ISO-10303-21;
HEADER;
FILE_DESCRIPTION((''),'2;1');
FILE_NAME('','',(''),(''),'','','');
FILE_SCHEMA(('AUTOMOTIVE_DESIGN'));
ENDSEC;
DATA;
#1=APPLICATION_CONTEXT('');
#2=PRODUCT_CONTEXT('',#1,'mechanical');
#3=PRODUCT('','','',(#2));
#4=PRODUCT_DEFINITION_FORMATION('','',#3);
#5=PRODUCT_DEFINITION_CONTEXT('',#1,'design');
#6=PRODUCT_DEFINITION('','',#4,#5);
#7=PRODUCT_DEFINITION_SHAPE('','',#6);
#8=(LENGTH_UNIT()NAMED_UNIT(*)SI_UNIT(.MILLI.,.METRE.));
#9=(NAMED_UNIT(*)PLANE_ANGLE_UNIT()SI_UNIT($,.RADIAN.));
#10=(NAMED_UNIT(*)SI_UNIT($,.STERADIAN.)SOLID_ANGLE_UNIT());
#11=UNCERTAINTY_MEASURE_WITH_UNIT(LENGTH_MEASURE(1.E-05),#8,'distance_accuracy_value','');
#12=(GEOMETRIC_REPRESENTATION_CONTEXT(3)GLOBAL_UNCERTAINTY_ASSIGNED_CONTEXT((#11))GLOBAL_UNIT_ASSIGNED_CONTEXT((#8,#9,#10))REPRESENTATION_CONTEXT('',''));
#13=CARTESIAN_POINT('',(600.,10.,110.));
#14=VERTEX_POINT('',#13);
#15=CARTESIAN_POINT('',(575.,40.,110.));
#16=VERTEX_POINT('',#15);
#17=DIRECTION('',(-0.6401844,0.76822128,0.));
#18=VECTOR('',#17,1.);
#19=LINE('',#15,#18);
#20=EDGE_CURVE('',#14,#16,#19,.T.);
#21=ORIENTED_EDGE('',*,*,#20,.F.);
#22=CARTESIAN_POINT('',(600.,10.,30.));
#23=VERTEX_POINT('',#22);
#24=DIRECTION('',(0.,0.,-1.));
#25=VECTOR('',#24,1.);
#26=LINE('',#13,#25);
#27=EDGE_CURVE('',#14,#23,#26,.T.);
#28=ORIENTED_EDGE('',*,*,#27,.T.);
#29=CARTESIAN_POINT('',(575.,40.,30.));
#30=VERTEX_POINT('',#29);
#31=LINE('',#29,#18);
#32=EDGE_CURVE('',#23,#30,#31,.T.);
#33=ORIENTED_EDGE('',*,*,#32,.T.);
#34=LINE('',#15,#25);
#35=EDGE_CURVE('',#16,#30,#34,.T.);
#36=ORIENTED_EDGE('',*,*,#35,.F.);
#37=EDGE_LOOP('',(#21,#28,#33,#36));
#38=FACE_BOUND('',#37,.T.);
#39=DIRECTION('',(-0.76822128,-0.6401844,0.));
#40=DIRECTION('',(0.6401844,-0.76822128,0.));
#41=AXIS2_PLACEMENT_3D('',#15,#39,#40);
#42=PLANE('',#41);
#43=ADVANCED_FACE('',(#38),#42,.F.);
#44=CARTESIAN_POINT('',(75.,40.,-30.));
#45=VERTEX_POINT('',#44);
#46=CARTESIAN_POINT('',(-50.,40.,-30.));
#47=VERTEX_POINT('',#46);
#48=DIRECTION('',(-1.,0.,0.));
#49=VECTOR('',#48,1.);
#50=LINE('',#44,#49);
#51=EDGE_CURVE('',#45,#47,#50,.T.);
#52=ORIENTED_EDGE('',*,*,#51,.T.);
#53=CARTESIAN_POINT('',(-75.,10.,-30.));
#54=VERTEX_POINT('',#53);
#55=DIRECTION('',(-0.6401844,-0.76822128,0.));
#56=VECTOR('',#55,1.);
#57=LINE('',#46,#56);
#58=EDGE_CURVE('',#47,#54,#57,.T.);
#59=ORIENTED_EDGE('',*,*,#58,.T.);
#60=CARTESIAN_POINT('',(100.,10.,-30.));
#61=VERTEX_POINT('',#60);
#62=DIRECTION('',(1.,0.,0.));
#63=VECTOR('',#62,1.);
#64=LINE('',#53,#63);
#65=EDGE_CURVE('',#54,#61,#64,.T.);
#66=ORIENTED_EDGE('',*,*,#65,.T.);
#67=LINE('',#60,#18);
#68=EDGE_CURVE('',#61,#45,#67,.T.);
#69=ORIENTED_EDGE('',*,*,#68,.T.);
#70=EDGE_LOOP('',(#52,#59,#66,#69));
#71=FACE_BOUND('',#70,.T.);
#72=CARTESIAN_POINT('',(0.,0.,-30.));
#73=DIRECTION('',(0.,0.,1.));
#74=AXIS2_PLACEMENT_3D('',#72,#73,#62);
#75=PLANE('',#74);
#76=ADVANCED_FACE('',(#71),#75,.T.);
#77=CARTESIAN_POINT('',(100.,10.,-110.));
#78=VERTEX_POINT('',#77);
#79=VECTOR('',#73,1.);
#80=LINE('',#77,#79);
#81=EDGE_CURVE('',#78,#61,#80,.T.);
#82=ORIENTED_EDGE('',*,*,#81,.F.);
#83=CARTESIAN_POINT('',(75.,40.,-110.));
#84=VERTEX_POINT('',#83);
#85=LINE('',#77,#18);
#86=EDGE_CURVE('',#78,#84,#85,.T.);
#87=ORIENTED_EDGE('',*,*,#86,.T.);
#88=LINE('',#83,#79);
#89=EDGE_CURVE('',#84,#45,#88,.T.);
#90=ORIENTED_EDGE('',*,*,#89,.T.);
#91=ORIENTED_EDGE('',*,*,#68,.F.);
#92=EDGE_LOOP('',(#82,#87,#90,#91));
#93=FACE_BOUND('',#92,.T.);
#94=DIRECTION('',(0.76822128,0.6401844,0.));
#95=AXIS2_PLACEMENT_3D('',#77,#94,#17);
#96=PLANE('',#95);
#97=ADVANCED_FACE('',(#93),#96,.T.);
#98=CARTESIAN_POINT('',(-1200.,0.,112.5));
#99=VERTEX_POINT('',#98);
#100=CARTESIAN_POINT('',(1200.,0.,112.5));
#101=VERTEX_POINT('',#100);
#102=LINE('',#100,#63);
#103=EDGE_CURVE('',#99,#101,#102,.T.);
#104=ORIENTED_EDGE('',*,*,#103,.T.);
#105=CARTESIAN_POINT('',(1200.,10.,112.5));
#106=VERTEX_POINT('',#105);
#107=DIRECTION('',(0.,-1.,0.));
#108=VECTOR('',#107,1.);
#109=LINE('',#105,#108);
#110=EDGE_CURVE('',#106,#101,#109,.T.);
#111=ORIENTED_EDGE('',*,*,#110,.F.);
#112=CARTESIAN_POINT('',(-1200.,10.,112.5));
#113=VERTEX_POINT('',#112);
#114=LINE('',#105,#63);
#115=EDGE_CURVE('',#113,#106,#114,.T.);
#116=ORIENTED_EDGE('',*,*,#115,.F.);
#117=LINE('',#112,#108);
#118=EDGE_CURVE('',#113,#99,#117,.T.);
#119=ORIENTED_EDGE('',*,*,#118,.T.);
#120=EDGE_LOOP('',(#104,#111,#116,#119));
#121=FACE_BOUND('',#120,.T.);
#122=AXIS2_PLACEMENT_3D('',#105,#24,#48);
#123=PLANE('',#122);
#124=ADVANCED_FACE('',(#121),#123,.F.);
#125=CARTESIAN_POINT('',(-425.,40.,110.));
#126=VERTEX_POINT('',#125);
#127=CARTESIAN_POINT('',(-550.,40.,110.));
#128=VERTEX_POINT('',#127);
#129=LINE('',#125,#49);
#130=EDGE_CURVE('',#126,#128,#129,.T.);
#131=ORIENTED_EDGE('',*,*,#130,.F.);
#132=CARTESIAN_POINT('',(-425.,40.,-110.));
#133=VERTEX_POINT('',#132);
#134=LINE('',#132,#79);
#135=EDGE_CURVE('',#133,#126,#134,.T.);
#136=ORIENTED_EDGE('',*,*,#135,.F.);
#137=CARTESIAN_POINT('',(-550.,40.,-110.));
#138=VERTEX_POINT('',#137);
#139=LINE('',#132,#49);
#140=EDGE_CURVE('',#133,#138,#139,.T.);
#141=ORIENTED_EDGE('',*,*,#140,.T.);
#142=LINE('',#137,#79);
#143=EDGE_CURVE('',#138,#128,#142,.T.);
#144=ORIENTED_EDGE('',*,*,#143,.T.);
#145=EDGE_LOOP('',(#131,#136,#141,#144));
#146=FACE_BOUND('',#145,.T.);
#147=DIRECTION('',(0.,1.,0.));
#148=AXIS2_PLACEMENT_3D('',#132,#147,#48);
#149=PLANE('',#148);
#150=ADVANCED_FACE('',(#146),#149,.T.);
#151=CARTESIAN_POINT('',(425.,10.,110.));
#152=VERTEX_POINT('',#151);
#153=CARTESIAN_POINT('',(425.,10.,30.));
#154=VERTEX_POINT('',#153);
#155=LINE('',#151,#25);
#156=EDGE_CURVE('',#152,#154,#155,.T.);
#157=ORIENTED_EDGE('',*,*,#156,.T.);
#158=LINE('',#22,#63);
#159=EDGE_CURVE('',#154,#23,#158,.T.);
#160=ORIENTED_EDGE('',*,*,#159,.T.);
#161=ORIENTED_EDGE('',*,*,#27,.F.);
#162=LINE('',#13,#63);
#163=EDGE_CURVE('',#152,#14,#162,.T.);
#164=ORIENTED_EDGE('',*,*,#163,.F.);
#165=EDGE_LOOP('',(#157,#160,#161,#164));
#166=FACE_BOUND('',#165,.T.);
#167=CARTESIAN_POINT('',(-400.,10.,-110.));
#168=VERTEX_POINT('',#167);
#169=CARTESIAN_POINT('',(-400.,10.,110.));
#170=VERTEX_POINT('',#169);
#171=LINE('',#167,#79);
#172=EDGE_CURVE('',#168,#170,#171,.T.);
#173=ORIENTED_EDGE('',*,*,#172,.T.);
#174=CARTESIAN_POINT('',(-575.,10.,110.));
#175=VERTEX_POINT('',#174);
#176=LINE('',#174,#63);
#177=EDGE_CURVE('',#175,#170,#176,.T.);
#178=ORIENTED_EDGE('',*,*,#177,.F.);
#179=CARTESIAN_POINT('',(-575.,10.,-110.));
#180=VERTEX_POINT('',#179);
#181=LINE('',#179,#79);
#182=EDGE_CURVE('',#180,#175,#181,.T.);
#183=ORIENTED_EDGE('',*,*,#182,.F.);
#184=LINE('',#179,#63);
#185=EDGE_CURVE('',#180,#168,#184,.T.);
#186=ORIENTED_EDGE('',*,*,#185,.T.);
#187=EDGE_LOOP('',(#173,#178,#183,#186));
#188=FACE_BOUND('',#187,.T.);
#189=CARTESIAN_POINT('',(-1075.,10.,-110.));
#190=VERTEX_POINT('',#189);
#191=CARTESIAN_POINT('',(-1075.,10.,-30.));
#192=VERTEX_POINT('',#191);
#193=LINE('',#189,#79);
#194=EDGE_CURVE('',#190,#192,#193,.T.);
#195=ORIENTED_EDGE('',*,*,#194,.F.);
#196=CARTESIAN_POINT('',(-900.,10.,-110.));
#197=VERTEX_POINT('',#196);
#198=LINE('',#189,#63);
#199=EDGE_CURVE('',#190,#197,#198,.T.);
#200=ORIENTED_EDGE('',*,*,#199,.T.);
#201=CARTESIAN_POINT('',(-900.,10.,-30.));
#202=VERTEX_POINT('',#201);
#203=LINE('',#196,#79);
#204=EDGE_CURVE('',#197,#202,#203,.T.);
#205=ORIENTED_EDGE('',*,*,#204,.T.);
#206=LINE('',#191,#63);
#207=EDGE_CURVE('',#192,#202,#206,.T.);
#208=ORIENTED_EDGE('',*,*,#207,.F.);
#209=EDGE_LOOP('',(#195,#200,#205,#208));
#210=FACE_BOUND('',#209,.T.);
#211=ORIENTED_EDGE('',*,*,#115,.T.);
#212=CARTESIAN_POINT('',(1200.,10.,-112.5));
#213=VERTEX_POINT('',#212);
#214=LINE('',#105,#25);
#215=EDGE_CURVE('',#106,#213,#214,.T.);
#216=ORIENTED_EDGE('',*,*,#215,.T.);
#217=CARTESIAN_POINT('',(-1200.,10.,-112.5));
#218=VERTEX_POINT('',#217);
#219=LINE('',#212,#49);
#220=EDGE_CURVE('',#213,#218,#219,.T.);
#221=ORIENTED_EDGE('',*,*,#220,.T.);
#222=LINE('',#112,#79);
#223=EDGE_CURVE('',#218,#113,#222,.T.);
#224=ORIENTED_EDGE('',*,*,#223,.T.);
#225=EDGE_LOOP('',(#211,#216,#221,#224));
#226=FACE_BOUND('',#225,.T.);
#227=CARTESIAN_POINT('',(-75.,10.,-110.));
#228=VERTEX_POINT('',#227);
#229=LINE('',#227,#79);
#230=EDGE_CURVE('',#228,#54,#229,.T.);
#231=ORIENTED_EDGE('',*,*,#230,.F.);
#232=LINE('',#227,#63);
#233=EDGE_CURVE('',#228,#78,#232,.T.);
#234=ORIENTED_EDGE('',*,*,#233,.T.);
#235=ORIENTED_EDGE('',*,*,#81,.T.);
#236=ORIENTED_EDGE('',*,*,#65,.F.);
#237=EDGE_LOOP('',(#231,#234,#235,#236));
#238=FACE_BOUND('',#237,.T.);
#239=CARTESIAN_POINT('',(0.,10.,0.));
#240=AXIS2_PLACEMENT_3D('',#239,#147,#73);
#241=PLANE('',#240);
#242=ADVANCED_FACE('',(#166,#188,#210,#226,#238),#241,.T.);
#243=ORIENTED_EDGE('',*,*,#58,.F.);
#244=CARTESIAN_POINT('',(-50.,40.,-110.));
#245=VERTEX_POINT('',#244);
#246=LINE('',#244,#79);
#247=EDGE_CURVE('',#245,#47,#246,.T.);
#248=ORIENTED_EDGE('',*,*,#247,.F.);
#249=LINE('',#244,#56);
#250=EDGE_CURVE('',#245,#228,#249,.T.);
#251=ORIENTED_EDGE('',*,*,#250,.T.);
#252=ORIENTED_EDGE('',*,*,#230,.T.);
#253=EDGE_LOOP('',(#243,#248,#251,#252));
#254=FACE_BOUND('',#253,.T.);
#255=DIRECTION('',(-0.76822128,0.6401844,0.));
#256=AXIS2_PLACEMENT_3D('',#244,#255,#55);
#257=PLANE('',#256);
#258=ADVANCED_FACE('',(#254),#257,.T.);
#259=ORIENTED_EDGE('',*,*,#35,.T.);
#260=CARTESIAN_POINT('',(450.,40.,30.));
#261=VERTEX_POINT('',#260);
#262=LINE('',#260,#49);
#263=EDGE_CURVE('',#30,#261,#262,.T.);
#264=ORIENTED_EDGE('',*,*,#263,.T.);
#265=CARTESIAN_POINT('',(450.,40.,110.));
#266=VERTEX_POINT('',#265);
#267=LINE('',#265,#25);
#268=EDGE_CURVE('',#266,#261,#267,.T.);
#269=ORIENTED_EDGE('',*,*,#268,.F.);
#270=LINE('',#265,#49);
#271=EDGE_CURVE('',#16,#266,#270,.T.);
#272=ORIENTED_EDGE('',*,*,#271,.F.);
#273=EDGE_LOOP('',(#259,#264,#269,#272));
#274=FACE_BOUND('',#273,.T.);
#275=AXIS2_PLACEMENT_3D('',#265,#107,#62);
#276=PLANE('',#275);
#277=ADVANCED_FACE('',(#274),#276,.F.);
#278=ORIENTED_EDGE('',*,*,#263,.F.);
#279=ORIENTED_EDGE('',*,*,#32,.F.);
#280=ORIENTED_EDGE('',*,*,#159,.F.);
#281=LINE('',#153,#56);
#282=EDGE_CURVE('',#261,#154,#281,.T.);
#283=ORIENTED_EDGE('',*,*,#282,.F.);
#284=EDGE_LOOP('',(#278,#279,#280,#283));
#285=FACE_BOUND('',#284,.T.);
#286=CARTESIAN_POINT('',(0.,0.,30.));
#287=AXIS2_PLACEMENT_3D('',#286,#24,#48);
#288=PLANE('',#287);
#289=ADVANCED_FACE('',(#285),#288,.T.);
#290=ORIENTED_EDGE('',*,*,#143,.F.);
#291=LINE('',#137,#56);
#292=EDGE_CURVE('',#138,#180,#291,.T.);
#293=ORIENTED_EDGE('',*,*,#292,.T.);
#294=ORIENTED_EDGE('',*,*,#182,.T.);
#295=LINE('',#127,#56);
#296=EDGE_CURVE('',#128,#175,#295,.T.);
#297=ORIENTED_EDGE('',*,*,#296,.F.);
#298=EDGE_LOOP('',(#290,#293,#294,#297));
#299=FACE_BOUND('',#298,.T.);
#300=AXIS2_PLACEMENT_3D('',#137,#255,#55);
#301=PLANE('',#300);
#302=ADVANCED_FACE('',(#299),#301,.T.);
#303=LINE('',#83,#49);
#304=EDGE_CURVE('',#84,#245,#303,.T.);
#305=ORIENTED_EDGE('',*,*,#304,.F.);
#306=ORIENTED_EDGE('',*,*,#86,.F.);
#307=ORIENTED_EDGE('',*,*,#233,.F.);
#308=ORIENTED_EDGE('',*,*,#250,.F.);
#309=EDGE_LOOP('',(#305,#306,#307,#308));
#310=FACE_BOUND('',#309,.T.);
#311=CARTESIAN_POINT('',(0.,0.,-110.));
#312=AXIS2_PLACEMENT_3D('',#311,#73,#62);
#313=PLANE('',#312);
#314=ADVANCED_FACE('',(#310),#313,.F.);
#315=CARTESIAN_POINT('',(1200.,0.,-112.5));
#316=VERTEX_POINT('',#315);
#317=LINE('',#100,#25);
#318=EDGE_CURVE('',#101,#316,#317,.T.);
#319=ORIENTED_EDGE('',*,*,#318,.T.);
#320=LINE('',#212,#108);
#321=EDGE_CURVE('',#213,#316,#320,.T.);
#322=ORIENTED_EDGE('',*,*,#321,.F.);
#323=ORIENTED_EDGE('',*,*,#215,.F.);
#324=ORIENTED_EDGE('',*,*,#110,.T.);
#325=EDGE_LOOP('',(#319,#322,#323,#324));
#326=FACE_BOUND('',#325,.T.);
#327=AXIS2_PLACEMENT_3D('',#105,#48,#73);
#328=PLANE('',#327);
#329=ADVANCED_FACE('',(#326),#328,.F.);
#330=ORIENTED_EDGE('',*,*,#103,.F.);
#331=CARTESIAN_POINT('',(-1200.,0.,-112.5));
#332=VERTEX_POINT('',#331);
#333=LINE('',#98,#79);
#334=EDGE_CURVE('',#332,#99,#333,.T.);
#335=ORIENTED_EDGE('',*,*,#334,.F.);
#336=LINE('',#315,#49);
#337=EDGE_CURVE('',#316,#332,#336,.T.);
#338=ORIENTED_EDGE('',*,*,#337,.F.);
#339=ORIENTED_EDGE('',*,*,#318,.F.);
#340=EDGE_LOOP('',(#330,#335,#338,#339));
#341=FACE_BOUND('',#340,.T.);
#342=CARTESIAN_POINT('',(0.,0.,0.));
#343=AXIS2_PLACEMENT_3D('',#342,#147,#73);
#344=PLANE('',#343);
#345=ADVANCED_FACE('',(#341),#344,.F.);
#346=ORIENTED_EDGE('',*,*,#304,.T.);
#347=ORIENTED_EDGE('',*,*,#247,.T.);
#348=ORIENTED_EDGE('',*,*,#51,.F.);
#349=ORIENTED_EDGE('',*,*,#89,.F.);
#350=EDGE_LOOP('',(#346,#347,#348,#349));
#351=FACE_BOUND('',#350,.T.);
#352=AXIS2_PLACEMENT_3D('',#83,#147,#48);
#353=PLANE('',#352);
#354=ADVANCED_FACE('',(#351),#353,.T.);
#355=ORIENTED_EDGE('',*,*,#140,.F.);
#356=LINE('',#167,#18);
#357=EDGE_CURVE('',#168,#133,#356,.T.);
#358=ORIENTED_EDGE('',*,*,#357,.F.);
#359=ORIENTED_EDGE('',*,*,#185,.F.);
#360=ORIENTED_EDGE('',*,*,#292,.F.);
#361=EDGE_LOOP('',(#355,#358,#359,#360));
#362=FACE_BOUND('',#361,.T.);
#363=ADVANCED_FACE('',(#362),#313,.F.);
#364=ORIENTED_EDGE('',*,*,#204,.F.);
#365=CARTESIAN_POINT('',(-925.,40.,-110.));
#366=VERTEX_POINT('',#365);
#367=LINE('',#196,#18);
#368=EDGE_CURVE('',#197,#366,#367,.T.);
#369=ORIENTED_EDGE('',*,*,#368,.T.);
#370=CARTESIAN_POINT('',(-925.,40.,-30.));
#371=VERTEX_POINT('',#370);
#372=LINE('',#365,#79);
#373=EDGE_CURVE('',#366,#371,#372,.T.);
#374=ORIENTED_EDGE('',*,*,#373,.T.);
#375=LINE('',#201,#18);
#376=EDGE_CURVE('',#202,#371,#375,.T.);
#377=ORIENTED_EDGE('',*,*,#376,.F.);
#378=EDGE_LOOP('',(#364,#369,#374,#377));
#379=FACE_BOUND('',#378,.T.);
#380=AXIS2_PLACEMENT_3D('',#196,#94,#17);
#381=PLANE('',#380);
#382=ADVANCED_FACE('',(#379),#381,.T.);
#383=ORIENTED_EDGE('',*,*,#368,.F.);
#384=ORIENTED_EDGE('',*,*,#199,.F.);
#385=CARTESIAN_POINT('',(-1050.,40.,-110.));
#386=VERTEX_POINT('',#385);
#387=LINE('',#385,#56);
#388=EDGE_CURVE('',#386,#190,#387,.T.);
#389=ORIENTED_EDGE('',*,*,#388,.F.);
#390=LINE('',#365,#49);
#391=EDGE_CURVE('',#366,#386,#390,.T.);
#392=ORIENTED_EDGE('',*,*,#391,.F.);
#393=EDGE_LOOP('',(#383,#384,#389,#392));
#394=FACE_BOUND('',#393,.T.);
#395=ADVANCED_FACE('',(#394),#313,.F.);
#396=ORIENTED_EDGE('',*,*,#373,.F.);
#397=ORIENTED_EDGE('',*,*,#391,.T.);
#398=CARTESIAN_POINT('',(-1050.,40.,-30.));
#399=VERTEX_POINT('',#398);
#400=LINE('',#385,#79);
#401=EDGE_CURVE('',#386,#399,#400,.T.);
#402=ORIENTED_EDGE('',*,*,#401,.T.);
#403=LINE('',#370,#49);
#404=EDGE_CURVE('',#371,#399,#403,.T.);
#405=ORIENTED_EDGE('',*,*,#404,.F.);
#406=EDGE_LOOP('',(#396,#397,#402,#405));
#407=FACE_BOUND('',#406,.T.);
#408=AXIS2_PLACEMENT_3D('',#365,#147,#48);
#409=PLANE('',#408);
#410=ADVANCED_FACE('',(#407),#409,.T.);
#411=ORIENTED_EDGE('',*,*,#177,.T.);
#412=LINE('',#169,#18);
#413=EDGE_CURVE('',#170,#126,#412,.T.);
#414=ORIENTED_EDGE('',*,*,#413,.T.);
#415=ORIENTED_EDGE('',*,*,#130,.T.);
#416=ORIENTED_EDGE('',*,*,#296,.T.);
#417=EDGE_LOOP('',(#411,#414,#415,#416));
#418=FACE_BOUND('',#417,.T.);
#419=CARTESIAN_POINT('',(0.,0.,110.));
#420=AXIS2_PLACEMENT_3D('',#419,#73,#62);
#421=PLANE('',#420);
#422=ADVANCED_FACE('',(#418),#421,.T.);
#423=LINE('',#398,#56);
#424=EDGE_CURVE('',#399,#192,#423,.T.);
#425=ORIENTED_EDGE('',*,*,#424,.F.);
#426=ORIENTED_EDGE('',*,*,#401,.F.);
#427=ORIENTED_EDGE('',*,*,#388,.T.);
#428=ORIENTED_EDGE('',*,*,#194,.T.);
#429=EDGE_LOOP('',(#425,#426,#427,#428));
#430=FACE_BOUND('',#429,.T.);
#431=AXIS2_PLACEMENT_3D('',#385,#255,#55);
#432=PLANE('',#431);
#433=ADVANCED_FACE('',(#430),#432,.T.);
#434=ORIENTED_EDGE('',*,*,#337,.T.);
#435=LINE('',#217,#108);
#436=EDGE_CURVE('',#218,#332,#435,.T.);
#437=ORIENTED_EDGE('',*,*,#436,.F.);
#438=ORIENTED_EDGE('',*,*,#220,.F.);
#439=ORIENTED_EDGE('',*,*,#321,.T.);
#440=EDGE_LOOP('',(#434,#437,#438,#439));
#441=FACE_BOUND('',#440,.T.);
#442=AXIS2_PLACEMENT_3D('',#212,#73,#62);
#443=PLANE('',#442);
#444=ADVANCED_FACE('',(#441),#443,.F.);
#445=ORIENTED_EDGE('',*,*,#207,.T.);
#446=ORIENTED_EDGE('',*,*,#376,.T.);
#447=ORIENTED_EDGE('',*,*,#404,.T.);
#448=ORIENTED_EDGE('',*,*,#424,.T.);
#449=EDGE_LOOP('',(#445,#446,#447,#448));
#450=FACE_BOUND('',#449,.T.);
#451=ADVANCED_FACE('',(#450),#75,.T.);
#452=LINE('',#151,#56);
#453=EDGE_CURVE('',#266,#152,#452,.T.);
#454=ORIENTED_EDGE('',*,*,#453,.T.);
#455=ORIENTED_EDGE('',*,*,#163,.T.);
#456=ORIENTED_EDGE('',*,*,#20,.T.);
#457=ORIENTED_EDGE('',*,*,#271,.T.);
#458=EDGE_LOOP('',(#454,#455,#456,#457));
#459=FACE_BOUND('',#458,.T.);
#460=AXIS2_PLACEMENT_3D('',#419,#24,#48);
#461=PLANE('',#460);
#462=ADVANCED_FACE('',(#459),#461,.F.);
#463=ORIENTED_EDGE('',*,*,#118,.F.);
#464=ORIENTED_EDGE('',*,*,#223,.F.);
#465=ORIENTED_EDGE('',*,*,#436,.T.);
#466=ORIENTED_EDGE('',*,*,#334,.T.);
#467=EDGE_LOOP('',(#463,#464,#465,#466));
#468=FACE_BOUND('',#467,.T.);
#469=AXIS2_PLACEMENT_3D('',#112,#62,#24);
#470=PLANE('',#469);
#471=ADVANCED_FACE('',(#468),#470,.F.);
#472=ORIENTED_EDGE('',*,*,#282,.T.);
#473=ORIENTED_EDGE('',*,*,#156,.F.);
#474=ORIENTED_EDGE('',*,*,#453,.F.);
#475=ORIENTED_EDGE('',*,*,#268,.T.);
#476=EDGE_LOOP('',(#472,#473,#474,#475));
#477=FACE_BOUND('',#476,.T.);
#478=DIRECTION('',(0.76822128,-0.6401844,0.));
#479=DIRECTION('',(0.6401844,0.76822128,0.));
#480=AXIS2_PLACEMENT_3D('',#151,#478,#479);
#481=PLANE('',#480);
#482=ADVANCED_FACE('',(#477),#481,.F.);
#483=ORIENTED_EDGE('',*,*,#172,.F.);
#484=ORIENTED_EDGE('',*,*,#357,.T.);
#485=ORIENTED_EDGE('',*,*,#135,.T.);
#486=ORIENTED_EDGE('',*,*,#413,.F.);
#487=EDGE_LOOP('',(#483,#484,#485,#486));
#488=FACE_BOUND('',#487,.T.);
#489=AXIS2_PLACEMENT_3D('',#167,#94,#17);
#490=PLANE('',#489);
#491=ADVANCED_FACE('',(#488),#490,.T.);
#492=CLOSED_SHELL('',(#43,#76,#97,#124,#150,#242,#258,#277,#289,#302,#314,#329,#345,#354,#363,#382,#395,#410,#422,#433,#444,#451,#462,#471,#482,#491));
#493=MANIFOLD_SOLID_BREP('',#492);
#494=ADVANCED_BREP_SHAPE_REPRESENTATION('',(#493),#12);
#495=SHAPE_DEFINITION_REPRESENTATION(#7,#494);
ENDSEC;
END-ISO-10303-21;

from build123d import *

# Parameters (mm, degrees)
SKETCH1_W                = 2400
SKETCH1_H                = 225
BOSS_EXTRUDE1_DEPTH      = 10
BOSS_EXTRUDE2_START      = 30
BOSS_EXTRUDE2_DEPTH      = 80
BOSS_EXTRUDE3_START      = -30
BOSS_EXTRUDE3_DEPTH      = 80
BOSS_EXTRUDE4_DEPTH      = 110
BOSS_EXTRUDE4_DEPTH_BACK = 110
BOSS_EXTRUDE5_START      = -30
BOSS_EXTRUDE5_DEPTH      = 80


with BuildPart() as part:
    # Sketch1 → Boss-Extrude1 (new body)
    with BuildSketch(Plane(origin=(0, 0, 0), x_dir=(1, 0, 0), z_dir=(0, 1, 0))):
        Rectangle(SKETCH1_W, SKETCH1_H)
    extrude(amount=BOSS_EXTRUDE1_DEPTH)

    # Sketch2 → Boss-Extrude2 (add)
    with BuildSketch(Plane.XY.offset(BOSS_EXTRUDE2_START)):
        Polygon((425, 10), (450, 40), (575, 40), (600, 10), align=None)
    extrude(amount=BOSS_EXTRUDE2_DEPTH)

    # Sketch3 → Boss-Extrude3 (add)
    with BuildSketch(Plane.XY.offset(BOSS_EXTRUDE3_START)):
        Polygon((-50, 40), (-75, 10), (100, 10), (75, 40), align=None)
    extrude(amount=-BOSS_EXTRUDE3_DEPTH)

    # Sketch4 → Boss-Extrude4 (add, two sides: drawn at the far end of the back side and taken through both)
    with BuildSketch(Plane.XY.offset(-BOSS_EXTRUDE4_DEPTH_BACK)):
        Polygon((-550, 40), (-575, 10), (-400, 10), (-425, 40), align=None)
    extrude(amount=BOSS_EXTRUDE4_DEPTH + BOSS_EXTRUDE4_DEPTH_BACK)

    # Sketch5 → Boss-Extrude5 (add)
    with BuildSketch(Plane.XY.offset(BOSS_EXTRUDE5_START)):
        Polygon((-1050, 40), (-1075, 10), (-900, 10), (-925, 40), align=None)
    extrude(amount=-BOSS_EXTRUDE5_DEPTH)


solid = part.part
